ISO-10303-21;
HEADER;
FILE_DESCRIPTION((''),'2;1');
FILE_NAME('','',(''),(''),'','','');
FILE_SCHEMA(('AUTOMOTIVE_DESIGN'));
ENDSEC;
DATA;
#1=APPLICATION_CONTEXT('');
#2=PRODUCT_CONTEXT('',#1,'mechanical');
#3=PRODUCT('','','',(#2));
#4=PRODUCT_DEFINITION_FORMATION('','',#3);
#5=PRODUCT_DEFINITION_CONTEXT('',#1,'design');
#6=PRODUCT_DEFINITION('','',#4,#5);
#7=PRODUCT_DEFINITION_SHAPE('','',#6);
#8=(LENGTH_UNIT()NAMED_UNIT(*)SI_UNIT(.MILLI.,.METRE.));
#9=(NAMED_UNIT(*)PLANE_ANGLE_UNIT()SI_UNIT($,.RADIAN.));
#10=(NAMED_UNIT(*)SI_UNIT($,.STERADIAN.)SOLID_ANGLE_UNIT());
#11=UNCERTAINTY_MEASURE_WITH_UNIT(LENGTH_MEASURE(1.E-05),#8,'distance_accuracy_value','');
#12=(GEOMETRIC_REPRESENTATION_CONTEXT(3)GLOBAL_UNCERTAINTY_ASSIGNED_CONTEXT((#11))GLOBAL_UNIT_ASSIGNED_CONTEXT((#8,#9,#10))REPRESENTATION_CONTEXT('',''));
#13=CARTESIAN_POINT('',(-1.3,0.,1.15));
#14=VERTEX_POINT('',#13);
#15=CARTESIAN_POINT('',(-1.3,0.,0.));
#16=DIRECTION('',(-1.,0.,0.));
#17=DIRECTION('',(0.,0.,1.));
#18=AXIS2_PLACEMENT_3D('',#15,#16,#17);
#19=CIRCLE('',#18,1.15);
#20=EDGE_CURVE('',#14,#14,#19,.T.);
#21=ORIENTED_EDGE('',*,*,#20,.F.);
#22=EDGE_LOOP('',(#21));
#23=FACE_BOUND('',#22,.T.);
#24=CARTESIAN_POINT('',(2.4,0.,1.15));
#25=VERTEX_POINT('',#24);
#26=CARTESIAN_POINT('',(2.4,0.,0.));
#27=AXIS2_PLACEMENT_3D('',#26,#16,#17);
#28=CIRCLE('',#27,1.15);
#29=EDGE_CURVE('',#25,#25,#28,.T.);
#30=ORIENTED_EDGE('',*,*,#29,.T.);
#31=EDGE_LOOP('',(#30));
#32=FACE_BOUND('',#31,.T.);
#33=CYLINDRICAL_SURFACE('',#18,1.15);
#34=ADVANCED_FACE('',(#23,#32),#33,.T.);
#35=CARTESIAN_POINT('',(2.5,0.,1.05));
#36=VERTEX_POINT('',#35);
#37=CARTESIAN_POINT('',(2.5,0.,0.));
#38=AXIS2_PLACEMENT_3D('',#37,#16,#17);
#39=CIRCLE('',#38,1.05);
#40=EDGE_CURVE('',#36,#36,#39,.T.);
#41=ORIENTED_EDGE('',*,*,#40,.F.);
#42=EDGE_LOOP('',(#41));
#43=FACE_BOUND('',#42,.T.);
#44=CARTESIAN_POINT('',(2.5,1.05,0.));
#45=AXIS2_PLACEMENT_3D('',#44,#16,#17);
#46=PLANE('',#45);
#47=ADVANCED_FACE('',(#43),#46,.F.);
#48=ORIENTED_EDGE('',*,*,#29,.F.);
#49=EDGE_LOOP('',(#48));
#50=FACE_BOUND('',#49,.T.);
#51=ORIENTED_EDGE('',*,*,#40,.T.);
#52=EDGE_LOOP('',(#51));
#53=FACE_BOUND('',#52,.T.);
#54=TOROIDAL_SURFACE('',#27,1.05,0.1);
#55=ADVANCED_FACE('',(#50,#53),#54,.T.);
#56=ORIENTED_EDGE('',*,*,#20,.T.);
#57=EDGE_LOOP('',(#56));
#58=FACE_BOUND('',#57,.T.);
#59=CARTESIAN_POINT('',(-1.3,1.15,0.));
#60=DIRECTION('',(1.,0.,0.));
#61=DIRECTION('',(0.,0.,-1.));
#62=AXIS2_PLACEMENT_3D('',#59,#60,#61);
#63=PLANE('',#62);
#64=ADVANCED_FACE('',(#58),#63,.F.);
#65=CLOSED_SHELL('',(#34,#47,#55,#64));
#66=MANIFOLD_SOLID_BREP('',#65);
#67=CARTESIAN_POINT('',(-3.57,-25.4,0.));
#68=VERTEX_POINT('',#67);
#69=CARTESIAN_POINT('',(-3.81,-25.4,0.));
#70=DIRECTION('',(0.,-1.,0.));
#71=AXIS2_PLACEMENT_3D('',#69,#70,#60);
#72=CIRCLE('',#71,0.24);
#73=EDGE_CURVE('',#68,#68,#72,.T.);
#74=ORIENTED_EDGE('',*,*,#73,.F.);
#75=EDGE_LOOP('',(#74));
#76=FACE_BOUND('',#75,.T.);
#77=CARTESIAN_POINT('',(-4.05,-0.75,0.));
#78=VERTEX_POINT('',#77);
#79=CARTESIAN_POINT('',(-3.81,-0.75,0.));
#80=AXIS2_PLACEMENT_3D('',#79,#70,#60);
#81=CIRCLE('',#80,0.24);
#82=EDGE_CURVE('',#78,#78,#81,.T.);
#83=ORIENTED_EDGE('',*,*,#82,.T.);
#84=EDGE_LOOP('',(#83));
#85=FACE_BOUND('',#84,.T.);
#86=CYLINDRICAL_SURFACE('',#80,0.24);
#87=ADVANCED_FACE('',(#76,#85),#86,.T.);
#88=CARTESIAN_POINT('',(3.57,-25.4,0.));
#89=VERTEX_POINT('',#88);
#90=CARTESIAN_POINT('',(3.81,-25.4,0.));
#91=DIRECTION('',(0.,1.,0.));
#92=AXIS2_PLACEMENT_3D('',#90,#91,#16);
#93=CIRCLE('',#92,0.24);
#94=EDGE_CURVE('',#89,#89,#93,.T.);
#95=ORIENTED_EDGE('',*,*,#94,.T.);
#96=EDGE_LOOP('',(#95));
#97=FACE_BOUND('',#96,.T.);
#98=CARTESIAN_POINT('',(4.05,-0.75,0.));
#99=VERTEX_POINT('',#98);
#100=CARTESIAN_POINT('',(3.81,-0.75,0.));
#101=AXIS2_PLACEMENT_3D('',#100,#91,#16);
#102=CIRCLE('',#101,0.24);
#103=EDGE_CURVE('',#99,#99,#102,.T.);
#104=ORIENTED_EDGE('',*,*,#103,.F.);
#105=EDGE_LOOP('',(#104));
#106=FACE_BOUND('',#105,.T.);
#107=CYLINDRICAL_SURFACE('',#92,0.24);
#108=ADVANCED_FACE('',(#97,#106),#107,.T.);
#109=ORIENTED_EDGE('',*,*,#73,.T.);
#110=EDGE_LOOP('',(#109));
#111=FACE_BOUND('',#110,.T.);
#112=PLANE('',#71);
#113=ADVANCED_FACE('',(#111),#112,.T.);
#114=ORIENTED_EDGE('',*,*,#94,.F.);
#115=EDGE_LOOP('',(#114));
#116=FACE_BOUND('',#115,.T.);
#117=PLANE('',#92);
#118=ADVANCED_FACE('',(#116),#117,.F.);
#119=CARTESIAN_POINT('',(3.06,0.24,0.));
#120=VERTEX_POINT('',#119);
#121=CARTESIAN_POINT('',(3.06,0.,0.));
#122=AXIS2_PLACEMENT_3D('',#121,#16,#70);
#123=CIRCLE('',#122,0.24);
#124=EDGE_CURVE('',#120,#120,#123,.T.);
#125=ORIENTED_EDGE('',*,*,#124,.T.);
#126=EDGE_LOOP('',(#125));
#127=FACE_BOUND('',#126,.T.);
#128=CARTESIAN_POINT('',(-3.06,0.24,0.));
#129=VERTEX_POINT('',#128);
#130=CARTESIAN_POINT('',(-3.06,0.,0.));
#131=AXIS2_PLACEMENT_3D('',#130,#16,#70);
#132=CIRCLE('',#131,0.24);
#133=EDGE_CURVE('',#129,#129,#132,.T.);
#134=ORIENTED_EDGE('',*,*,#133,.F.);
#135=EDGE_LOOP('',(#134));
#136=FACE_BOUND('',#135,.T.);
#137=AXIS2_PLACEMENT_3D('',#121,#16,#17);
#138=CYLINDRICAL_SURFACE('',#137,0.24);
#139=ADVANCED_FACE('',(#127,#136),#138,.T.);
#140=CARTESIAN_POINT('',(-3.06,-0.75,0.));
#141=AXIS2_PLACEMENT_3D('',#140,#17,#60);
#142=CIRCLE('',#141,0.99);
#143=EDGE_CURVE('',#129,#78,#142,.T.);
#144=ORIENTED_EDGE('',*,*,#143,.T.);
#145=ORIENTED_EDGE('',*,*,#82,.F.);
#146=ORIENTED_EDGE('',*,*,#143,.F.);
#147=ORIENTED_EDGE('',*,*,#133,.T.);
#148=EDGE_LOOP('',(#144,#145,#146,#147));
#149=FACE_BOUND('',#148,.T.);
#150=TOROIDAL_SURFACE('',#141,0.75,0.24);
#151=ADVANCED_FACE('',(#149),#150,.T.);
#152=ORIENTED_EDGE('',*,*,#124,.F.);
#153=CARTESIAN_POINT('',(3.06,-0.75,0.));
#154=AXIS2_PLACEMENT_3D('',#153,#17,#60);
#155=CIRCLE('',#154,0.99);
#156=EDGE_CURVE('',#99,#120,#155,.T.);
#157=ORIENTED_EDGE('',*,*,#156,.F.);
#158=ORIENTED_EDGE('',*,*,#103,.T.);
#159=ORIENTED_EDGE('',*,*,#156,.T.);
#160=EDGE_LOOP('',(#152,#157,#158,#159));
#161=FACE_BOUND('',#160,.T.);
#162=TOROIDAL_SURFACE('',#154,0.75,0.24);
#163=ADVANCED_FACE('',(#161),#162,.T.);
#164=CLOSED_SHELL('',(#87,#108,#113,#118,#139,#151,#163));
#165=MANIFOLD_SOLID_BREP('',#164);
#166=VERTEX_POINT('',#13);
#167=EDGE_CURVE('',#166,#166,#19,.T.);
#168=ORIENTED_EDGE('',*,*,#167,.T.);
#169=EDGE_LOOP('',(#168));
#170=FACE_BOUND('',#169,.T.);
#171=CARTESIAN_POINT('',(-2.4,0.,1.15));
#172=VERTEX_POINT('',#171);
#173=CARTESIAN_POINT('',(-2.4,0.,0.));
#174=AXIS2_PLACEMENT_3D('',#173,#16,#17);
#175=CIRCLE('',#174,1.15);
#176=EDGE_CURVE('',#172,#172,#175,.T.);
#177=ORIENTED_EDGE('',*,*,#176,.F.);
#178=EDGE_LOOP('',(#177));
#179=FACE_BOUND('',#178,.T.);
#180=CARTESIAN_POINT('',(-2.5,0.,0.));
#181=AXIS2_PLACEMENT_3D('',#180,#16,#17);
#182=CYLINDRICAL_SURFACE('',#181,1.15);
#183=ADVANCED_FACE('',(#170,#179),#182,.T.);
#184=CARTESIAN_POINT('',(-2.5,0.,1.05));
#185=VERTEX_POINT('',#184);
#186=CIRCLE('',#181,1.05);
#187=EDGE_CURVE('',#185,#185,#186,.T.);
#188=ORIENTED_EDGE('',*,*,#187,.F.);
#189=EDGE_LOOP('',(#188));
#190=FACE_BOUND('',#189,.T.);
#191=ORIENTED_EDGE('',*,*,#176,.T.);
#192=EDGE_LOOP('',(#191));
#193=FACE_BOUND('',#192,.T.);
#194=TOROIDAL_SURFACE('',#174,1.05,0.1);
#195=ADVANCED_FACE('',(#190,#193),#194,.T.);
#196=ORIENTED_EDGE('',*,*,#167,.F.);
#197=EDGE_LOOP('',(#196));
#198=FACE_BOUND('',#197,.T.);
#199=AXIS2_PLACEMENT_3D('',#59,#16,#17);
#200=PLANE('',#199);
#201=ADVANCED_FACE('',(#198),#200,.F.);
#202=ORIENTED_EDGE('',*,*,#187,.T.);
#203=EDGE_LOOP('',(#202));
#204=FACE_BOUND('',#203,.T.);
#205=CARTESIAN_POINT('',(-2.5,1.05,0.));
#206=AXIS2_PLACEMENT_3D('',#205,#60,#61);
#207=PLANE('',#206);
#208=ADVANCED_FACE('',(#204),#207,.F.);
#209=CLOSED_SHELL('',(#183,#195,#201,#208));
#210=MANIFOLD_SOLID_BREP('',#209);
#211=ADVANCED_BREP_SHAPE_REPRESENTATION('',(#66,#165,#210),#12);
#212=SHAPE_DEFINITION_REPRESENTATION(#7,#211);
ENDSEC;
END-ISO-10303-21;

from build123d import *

# Parameters (mm, degrees)
SKETCH2_R = 0.24


with BuildPart() as part:
    # Sweep1: sweep along a path in Sketch1
    with BuildLine(Plane.XY) as sweep1_path:
        Line((-3.81, -25.4), (-3.81, -0.75))
        ThreePointArc((-3.81, -0.75), (-3.590330086, -0.219669914), (-3.06, 0))
        Line((-3.06, 0), (3.06, 0))
        ThreePointArc((3.06, 0), (3.590330086, -0.219669914), (3.81, -0.75))
        Line((3.81, -0.75), (3.81, -25.4))
    # Sketch2 → Sweep1 (sweep)
    with BuildSketch(Plane(origin=(-3.81, -25.4, 0), x_dir=(-1, 0, 0), z_dir=(0, -1, 0))):
        Circle(SKETCH2_R)
    sweep(path=sweep1_path.line)


with BuildPart() as body_2:
    # Sketch3 → Revolve1 (revolve)
    with BuildSketch(Plane.XY, mode=Mode.PRIVATE) as revolve1_sk:
        with BuildLine():
            Line((-1.3, 1.15), (2.4, 1.15))
            ThreePointArc((2.4, 1.15), (2.470710678, 1.120710678), (2.5, 1.05))
            Line((2.5, 1.05), (2.5, 0))
            Line((2.5, 0), (-1.3, 0))
            Line((-1.3, 0), (-1.3, 1.15))
        make_face()
    revolve(revolve1_sk.sketch.rotate(Axis((-1.3, 0, 0), (1, 0, 0)), 90), axis=Axis((-1.3, 0, 0), (1, 0, 0)))


with BuildPart() as body_3:
    # Sketch4 → Revolve2 (revolve)
    with BuildSketch(Plane.XY, mode=Mode.PRIVATE) as revolve2_sk:
        with BuildLine():
            Line((-2.5, 1.05), (-2.5, 0))
            Line((-2.5, 0), (-1.3, 0))
            Line((-1.3, 0), (-1.3, 1.15))
            Line((-1.3, 1.15), (-2.4, 1.15))
            ThreePointArc((-2.4, 1.15), (-2.470710678, 1.120710678), (-2.5, 1.05))
        make_face()
    revolve(revolve2_sk.sketch.rotate(Axis((-2.5, 0, 0), (1, 0, 0)), 90), axis=Axis((-2.5, 0, 0), (1, 0, 0)))


solid = Compound([part.part, body_2.part, body_3.part])
